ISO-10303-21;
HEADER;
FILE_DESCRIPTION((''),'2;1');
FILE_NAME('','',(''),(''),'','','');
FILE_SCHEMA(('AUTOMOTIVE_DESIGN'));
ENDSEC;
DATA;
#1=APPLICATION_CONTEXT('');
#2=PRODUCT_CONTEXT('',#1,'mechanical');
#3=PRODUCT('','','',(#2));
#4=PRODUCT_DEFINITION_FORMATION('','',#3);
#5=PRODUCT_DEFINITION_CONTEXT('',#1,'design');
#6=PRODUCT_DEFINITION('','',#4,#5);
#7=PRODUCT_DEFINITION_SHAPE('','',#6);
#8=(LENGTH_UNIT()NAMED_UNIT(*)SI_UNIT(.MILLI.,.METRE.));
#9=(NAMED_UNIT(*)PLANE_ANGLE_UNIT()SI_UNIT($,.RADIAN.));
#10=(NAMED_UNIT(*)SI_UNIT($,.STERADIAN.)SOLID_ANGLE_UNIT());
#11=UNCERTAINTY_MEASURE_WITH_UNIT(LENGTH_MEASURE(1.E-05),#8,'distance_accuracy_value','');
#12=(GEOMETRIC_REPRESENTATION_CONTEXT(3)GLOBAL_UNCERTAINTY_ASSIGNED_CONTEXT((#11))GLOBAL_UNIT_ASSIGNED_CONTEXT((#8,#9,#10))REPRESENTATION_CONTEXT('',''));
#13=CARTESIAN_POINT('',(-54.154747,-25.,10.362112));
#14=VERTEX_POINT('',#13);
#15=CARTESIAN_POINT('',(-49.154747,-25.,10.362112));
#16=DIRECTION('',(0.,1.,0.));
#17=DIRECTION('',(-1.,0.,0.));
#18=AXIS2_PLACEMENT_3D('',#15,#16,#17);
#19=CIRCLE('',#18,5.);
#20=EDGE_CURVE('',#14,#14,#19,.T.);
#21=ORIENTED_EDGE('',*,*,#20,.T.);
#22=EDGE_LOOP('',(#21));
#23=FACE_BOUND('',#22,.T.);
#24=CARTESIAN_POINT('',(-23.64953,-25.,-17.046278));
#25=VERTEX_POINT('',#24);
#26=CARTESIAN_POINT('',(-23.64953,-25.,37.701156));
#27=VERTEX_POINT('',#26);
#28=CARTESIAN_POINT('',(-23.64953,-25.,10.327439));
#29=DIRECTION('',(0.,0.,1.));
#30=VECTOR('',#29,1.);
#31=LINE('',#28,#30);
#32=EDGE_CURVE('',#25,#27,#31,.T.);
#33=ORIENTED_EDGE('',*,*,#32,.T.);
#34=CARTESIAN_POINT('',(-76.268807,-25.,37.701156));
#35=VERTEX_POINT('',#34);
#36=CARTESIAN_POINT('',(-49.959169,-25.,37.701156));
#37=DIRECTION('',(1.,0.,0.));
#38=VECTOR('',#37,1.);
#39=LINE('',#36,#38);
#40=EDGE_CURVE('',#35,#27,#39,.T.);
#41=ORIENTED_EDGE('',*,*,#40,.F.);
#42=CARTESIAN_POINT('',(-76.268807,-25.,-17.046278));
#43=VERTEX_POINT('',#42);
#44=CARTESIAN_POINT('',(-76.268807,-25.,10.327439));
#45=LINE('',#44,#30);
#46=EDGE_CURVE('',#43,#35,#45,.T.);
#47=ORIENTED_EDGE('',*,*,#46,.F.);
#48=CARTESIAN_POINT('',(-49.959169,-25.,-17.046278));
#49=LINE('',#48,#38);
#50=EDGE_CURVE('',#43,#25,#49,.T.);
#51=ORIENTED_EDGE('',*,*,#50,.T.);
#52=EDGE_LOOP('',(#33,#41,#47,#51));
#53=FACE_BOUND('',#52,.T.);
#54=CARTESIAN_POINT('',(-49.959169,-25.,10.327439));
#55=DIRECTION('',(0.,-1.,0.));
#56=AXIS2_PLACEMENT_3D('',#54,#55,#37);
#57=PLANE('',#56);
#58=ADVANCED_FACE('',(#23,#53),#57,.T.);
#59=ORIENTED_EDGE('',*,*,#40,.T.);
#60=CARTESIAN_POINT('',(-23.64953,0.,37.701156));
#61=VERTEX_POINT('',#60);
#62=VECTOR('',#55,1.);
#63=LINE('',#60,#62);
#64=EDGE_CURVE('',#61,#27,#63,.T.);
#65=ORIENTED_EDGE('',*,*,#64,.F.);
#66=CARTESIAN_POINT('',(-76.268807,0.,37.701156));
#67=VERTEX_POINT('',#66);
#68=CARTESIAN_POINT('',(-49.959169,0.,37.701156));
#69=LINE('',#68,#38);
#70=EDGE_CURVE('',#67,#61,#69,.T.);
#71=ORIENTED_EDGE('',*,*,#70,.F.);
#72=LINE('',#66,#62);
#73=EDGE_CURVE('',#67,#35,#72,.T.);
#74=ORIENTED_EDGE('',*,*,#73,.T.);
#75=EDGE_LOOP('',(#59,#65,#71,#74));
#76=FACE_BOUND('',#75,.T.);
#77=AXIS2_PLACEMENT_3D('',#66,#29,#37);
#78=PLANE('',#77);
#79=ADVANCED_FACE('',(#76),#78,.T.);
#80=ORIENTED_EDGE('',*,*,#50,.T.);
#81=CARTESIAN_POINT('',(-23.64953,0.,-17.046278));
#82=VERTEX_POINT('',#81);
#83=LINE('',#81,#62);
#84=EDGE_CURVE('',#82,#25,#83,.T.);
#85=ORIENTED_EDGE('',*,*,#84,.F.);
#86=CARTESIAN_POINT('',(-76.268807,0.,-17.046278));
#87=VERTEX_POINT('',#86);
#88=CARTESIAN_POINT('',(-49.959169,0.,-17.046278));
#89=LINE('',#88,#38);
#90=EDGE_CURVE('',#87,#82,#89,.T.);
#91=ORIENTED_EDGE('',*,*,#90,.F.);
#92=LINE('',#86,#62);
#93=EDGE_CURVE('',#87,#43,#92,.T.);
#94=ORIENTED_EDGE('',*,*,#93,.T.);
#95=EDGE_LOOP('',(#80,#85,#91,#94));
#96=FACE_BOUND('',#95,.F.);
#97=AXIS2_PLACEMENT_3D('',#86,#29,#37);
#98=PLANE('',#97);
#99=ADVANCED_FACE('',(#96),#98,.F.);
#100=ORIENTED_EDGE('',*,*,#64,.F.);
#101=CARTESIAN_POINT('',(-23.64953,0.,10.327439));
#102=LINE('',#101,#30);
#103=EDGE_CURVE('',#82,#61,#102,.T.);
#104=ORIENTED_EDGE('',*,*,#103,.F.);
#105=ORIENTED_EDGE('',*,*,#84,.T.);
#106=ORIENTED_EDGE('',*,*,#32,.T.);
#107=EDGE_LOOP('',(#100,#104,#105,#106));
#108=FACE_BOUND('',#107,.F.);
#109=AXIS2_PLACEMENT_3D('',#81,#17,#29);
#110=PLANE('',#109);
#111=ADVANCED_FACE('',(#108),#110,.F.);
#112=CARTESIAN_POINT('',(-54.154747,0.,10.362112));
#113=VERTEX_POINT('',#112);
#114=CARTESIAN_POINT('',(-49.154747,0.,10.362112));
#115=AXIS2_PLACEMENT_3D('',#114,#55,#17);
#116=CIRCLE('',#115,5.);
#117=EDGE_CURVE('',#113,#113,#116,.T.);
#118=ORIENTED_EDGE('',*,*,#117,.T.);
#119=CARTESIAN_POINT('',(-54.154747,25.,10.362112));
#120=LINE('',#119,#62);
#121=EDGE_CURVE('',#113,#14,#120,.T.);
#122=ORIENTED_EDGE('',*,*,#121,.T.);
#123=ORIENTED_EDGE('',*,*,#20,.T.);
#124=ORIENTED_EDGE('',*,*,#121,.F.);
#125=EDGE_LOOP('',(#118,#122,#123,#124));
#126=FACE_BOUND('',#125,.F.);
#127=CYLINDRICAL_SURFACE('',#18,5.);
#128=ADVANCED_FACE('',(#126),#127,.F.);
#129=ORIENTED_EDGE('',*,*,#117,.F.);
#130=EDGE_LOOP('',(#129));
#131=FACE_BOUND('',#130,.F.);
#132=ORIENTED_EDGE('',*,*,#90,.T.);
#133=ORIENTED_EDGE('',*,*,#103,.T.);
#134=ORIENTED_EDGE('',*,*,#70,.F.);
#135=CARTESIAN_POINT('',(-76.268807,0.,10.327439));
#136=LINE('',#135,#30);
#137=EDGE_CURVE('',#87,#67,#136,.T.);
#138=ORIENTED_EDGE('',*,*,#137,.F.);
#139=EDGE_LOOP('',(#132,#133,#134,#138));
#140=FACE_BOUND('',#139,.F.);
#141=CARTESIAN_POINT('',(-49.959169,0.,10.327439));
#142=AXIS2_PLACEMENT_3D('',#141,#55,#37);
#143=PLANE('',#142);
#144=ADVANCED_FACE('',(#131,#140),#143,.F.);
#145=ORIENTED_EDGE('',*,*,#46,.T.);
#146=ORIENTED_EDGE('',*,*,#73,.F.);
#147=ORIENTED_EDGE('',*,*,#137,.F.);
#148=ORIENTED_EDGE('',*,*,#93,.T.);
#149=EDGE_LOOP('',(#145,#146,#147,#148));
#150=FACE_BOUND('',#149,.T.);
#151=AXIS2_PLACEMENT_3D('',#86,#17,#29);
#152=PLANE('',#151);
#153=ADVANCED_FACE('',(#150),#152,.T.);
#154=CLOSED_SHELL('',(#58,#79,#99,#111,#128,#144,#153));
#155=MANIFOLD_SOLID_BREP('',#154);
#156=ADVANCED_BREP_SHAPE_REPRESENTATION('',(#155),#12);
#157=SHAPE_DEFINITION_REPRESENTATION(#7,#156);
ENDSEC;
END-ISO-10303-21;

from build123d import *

# Parameters (mm, degrees)
F0_W           = 144.8953971267
F0_H           = 132.3546804488
F1_DEPTH       = 25
F3_W           = 52.6192765683
F3_H           = 54.747434333
F4_DEPTH       = 25
F6_D           = 10
F6_DEPTH       = 50
F6_CBORE_D     = 10
F6_CBORE_DEPTH = 5
F6_TIP         = 3.0043030951


with BuildPart() as f1:
    # F0 (on Front) → F1 (new body)
    with BuildSketch(Plane.XZ):
        with Locations((-90.7013751566, -26.4289211482)):
            Rectangle(F0_W, F0_H)
    extrude(amount=F1_DEPTH)


with BuildPart() as f4:
    # F3 (on Front) → F4 (new body)
    with BuildSketch(Plane.XZ):
        with Locations((-49.9591687694, 10.3274388239)):
            Rectangle(F3_W, F3_H)
    extrude(amount=F4_DEPTH)

    # F6
    with Locations(Plane.XZ.offset(25)):
        with Locations((-49.1547472775, 10.3621119633)):
            CounterBoreHole(F6_D / 2, F6_CBORE_D / 2, F6_CBORE_DEPTH, depth=F6_DEPTH)
            with Locations((0, 0, -(F6_DEPTH + F6_TIP / 2))):  # 118° drill point
                Cone(0, F6_D / 2, F6_TIP, mode=Mode.SUBTRACT)


solid = f4.part
